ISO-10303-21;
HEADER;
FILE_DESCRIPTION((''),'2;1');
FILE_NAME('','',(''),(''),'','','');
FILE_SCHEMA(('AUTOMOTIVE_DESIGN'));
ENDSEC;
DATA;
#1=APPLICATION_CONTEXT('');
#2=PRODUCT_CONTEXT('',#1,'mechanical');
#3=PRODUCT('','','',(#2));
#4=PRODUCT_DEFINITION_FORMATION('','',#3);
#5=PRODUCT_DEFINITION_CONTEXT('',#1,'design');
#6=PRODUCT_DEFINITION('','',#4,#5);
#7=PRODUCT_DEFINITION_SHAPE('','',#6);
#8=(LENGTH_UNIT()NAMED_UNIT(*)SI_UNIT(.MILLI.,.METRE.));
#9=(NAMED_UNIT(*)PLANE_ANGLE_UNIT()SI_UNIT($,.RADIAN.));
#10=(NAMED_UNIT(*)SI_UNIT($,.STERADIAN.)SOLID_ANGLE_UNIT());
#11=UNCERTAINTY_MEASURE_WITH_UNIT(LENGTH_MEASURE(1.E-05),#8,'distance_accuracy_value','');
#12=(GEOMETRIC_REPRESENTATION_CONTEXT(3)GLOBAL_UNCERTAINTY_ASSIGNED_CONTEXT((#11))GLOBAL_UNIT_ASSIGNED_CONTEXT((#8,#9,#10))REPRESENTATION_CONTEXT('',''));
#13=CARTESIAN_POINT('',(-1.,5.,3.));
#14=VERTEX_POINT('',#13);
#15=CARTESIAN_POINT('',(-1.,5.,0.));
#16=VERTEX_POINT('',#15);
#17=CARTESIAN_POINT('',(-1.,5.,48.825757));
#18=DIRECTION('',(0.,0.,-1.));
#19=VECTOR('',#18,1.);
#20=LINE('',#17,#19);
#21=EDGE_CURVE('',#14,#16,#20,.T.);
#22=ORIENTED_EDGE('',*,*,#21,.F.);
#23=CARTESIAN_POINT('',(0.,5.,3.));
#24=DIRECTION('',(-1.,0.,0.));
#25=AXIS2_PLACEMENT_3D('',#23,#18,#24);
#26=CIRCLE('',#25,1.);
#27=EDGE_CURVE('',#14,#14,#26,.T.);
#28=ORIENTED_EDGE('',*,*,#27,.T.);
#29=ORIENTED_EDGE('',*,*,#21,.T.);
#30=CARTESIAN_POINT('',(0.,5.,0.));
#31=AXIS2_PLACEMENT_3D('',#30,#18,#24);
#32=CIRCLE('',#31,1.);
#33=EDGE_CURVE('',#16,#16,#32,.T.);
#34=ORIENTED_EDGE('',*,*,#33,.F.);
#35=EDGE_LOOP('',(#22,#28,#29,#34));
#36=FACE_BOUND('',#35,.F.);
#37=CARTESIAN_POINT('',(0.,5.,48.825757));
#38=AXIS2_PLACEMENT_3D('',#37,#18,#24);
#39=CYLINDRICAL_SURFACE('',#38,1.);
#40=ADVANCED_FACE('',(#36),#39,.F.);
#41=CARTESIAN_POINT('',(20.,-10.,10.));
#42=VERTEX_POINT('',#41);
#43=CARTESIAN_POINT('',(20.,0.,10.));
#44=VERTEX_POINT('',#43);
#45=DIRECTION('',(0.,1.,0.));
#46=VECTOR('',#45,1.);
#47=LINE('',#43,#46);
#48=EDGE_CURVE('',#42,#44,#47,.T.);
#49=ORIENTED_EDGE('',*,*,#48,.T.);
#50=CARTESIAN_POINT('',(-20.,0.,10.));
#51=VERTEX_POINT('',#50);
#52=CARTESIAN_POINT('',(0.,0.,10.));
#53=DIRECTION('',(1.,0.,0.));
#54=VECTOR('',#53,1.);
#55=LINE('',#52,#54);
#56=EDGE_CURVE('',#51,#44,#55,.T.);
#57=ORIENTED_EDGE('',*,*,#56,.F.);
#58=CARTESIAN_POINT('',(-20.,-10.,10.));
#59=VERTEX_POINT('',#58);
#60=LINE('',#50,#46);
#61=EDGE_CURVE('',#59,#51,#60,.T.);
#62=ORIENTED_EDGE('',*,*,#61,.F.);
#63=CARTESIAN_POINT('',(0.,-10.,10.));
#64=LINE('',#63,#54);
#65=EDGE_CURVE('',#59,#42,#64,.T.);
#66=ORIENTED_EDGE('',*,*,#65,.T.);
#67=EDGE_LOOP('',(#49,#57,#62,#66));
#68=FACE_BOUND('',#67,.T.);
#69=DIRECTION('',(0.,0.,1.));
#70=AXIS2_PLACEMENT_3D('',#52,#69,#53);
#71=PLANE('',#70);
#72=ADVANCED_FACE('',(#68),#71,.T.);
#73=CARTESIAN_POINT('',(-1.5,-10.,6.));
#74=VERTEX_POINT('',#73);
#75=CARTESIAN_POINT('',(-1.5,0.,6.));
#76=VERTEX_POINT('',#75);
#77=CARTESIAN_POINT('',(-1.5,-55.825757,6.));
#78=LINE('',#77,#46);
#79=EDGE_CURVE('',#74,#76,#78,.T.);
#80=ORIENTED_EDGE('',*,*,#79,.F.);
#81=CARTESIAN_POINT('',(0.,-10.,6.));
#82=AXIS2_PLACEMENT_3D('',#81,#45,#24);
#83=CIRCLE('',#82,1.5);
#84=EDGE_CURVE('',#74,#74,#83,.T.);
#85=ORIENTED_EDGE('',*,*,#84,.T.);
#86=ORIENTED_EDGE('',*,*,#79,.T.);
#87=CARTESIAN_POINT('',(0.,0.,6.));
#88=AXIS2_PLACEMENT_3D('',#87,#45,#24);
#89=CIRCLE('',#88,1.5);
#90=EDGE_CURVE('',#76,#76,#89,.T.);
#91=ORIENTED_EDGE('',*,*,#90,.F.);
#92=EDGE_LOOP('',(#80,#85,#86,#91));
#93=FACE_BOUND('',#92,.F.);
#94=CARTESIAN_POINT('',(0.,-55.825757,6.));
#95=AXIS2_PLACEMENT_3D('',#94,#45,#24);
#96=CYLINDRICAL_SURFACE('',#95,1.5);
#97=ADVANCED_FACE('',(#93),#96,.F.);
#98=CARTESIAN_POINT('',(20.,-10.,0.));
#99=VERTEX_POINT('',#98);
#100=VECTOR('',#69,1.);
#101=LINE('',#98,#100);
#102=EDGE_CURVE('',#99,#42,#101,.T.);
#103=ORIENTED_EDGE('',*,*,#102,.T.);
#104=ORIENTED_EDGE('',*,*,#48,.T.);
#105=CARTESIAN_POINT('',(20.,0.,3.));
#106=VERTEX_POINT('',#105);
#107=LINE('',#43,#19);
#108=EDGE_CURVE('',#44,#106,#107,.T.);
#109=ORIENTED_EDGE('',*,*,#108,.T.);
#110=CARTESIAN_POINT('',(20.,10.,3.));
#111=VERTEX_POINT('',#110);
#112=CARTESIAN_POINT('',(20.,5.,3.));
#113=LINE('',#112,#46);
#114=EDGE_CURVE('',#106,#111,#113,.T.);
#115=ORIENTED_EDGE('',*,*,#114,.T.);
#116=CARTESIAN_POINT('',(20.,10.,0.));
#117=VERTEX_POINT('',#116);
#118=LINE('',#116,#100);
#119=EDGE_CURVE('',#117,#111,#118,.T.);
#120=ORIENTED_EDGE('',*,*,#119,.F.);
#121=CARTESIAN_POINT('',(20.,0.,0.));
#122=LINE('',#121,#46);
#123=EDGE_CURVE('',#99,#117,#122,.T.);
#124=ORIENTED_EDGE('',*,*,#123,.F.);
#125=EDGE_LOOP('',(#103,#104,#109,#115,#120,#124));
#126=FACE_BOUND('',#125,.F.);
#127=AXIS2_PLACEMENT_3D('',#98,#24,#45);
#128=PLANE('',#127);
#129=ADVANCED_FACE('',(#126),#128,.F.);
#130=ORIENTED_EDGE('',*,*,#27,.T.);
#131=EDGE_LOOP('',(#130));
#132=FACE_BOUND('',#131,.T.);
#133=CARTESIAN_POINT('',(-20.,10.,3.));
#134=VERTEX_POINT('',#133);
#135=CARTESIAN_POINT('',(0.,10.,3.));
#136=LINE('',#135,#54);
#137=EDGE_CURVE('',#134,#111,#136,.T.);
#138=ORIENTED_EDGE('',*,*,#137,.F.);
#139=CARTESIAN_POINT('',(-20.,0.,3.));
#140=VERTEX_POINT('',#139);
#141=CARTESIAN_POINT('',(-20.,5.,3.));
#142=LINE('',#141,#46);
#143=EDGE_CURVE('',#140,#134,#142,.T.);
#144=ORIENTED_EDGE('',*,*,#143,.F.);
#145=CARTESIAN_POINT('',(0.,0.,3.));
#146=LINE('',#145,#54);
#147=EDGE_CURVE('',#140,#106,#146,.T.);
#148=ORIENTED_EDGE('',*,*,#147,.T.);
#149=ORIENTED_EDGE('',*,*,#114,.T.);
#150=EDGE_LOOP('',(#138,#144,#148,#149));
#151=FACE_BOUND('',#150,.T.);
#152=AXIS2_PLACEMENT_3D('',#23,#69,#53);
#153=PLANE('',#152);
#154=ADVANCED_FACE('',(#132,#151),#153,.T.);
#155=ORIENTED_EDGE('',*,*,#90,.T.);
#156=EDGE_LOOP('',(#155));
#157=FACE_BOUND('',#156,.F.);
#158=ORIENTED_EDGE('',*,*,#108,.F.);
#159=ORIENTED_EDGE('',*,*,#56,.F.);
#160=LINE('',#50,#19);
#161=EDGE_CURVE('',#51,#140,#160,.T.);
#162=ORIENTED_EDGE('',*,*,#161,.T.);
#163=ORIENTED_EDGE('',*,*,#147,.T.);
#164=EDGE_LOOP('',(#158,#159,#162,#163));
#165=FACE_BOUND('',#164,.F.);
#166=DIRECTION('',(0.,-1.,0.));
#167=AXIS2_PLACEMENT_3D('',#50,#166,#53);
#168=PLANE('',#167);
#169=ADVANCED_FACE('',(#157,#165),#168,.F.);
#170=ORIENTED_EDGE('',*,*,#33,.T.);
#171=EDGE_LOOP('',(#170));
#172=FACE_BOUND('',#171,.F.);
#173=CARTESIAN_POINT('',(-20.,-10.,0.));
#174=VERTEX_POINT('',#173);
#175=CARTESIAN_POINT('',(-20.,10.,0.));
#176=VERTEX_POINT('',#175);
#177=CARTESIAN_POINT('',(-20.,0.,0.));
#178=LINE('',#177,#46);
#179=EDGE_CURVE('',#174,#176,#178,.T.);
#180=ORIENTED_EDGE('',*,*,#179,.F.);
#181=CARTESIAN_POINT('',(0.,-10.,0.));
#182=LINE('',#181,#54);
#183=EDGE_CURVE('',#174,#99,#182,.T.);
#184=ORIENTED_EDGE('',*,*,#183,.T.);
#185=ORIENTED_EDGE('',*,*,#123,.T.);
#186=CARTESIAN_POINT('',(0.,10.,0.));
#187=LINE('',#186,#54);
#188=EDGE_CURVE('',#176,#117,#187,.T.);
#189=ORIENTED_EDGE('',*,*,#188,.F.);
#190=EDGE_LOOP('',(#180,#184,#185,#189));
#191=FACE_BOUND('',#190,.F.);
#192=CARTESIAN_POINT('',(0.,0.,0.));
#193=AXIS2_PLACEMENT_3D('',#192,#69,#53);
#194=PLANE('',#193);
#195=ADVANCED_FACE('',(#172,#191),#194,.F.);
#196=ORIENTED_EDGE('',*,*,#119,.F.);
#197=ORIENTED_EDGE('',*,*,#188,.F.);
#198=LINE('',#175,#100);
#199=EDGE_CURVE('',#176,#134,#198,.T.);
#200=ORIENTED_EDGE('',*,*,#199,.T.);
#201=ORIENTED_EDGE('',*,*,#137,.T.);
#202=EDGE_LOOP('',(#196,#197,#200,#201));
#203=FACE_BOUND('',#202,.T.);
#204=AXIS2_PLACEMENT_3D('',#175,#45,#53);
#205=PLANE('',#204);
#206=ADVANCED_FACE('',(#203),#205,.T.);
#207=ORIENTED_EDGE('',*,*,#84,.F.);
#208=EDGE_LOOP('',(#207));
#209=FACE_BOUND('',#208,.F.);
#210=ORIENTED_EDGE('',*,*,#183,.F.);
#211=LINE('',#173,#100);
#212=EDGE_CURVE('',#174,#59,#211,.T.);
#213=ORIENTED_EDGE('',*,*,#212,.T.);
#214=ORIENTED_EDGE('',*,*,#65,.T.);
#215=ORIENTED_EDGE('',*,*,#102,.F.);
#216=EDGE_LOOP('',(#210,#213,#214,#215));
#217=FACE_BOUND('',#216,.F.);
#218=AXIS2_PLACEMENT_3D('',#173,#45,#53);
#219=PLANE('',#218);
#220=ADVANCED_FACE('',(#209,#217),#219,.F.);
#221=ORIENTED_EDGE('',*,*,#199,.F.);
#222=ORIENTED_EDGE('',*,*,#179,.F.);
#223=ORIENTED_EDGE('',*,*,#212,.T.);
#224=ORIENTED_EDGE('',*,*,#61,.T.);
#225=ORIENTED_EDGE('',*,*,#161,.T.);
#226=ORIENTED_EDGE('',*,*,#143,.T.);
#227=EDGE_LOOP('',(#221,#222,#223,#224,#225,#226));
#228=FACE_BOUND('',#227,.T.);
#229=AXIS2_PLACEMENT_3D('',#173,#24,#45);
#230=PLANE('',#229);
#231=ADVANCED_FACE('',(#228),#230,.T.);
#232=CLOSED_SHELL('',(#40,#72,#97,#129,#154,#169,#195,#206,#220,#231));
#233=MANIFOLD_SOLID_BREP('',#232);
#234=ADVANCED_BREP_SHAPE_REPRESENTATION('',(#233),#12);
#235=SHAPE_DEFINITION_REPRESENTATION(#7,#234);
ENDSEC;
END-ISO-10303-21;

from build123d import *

# Parameters (mm, degrees)
F0_W     = 40
F0_H     = 20
F1_DEPTH = 10
F2_W     = 40
F2_H     = 10
F3_DEPTH = 7
F5_D     = 3
F7_D     = 2


with BuildPart() as f1:
    # F0 (on Top) → F1 (new body)
    with BuildSketch(Plane.XY):
        Rectangle(F0_W, F0_H)
    extrude(amount=F1_DEPTH)

    # F2 (on face) → F3 (cut)
    with BuildSketch(Plane.XY.offset(10)):
        with Locations((0, 5)):
            Rectangle(F2_W, F2_H)
    extrude(amount=-F3_DEPTH, mode=Mode.SUBTRACT)

    # F5 (through all)
    with Locations(Plane.XZ.offset(10)):
        with Locations((0, 6)):
            Hole(F5_D / 2)

    # F7 (through all)
    with Locations(Plane.XY.offset(3)):
        with Locations((0, 5)):
            Hole(F7_D / 2)


solid = f1.part
